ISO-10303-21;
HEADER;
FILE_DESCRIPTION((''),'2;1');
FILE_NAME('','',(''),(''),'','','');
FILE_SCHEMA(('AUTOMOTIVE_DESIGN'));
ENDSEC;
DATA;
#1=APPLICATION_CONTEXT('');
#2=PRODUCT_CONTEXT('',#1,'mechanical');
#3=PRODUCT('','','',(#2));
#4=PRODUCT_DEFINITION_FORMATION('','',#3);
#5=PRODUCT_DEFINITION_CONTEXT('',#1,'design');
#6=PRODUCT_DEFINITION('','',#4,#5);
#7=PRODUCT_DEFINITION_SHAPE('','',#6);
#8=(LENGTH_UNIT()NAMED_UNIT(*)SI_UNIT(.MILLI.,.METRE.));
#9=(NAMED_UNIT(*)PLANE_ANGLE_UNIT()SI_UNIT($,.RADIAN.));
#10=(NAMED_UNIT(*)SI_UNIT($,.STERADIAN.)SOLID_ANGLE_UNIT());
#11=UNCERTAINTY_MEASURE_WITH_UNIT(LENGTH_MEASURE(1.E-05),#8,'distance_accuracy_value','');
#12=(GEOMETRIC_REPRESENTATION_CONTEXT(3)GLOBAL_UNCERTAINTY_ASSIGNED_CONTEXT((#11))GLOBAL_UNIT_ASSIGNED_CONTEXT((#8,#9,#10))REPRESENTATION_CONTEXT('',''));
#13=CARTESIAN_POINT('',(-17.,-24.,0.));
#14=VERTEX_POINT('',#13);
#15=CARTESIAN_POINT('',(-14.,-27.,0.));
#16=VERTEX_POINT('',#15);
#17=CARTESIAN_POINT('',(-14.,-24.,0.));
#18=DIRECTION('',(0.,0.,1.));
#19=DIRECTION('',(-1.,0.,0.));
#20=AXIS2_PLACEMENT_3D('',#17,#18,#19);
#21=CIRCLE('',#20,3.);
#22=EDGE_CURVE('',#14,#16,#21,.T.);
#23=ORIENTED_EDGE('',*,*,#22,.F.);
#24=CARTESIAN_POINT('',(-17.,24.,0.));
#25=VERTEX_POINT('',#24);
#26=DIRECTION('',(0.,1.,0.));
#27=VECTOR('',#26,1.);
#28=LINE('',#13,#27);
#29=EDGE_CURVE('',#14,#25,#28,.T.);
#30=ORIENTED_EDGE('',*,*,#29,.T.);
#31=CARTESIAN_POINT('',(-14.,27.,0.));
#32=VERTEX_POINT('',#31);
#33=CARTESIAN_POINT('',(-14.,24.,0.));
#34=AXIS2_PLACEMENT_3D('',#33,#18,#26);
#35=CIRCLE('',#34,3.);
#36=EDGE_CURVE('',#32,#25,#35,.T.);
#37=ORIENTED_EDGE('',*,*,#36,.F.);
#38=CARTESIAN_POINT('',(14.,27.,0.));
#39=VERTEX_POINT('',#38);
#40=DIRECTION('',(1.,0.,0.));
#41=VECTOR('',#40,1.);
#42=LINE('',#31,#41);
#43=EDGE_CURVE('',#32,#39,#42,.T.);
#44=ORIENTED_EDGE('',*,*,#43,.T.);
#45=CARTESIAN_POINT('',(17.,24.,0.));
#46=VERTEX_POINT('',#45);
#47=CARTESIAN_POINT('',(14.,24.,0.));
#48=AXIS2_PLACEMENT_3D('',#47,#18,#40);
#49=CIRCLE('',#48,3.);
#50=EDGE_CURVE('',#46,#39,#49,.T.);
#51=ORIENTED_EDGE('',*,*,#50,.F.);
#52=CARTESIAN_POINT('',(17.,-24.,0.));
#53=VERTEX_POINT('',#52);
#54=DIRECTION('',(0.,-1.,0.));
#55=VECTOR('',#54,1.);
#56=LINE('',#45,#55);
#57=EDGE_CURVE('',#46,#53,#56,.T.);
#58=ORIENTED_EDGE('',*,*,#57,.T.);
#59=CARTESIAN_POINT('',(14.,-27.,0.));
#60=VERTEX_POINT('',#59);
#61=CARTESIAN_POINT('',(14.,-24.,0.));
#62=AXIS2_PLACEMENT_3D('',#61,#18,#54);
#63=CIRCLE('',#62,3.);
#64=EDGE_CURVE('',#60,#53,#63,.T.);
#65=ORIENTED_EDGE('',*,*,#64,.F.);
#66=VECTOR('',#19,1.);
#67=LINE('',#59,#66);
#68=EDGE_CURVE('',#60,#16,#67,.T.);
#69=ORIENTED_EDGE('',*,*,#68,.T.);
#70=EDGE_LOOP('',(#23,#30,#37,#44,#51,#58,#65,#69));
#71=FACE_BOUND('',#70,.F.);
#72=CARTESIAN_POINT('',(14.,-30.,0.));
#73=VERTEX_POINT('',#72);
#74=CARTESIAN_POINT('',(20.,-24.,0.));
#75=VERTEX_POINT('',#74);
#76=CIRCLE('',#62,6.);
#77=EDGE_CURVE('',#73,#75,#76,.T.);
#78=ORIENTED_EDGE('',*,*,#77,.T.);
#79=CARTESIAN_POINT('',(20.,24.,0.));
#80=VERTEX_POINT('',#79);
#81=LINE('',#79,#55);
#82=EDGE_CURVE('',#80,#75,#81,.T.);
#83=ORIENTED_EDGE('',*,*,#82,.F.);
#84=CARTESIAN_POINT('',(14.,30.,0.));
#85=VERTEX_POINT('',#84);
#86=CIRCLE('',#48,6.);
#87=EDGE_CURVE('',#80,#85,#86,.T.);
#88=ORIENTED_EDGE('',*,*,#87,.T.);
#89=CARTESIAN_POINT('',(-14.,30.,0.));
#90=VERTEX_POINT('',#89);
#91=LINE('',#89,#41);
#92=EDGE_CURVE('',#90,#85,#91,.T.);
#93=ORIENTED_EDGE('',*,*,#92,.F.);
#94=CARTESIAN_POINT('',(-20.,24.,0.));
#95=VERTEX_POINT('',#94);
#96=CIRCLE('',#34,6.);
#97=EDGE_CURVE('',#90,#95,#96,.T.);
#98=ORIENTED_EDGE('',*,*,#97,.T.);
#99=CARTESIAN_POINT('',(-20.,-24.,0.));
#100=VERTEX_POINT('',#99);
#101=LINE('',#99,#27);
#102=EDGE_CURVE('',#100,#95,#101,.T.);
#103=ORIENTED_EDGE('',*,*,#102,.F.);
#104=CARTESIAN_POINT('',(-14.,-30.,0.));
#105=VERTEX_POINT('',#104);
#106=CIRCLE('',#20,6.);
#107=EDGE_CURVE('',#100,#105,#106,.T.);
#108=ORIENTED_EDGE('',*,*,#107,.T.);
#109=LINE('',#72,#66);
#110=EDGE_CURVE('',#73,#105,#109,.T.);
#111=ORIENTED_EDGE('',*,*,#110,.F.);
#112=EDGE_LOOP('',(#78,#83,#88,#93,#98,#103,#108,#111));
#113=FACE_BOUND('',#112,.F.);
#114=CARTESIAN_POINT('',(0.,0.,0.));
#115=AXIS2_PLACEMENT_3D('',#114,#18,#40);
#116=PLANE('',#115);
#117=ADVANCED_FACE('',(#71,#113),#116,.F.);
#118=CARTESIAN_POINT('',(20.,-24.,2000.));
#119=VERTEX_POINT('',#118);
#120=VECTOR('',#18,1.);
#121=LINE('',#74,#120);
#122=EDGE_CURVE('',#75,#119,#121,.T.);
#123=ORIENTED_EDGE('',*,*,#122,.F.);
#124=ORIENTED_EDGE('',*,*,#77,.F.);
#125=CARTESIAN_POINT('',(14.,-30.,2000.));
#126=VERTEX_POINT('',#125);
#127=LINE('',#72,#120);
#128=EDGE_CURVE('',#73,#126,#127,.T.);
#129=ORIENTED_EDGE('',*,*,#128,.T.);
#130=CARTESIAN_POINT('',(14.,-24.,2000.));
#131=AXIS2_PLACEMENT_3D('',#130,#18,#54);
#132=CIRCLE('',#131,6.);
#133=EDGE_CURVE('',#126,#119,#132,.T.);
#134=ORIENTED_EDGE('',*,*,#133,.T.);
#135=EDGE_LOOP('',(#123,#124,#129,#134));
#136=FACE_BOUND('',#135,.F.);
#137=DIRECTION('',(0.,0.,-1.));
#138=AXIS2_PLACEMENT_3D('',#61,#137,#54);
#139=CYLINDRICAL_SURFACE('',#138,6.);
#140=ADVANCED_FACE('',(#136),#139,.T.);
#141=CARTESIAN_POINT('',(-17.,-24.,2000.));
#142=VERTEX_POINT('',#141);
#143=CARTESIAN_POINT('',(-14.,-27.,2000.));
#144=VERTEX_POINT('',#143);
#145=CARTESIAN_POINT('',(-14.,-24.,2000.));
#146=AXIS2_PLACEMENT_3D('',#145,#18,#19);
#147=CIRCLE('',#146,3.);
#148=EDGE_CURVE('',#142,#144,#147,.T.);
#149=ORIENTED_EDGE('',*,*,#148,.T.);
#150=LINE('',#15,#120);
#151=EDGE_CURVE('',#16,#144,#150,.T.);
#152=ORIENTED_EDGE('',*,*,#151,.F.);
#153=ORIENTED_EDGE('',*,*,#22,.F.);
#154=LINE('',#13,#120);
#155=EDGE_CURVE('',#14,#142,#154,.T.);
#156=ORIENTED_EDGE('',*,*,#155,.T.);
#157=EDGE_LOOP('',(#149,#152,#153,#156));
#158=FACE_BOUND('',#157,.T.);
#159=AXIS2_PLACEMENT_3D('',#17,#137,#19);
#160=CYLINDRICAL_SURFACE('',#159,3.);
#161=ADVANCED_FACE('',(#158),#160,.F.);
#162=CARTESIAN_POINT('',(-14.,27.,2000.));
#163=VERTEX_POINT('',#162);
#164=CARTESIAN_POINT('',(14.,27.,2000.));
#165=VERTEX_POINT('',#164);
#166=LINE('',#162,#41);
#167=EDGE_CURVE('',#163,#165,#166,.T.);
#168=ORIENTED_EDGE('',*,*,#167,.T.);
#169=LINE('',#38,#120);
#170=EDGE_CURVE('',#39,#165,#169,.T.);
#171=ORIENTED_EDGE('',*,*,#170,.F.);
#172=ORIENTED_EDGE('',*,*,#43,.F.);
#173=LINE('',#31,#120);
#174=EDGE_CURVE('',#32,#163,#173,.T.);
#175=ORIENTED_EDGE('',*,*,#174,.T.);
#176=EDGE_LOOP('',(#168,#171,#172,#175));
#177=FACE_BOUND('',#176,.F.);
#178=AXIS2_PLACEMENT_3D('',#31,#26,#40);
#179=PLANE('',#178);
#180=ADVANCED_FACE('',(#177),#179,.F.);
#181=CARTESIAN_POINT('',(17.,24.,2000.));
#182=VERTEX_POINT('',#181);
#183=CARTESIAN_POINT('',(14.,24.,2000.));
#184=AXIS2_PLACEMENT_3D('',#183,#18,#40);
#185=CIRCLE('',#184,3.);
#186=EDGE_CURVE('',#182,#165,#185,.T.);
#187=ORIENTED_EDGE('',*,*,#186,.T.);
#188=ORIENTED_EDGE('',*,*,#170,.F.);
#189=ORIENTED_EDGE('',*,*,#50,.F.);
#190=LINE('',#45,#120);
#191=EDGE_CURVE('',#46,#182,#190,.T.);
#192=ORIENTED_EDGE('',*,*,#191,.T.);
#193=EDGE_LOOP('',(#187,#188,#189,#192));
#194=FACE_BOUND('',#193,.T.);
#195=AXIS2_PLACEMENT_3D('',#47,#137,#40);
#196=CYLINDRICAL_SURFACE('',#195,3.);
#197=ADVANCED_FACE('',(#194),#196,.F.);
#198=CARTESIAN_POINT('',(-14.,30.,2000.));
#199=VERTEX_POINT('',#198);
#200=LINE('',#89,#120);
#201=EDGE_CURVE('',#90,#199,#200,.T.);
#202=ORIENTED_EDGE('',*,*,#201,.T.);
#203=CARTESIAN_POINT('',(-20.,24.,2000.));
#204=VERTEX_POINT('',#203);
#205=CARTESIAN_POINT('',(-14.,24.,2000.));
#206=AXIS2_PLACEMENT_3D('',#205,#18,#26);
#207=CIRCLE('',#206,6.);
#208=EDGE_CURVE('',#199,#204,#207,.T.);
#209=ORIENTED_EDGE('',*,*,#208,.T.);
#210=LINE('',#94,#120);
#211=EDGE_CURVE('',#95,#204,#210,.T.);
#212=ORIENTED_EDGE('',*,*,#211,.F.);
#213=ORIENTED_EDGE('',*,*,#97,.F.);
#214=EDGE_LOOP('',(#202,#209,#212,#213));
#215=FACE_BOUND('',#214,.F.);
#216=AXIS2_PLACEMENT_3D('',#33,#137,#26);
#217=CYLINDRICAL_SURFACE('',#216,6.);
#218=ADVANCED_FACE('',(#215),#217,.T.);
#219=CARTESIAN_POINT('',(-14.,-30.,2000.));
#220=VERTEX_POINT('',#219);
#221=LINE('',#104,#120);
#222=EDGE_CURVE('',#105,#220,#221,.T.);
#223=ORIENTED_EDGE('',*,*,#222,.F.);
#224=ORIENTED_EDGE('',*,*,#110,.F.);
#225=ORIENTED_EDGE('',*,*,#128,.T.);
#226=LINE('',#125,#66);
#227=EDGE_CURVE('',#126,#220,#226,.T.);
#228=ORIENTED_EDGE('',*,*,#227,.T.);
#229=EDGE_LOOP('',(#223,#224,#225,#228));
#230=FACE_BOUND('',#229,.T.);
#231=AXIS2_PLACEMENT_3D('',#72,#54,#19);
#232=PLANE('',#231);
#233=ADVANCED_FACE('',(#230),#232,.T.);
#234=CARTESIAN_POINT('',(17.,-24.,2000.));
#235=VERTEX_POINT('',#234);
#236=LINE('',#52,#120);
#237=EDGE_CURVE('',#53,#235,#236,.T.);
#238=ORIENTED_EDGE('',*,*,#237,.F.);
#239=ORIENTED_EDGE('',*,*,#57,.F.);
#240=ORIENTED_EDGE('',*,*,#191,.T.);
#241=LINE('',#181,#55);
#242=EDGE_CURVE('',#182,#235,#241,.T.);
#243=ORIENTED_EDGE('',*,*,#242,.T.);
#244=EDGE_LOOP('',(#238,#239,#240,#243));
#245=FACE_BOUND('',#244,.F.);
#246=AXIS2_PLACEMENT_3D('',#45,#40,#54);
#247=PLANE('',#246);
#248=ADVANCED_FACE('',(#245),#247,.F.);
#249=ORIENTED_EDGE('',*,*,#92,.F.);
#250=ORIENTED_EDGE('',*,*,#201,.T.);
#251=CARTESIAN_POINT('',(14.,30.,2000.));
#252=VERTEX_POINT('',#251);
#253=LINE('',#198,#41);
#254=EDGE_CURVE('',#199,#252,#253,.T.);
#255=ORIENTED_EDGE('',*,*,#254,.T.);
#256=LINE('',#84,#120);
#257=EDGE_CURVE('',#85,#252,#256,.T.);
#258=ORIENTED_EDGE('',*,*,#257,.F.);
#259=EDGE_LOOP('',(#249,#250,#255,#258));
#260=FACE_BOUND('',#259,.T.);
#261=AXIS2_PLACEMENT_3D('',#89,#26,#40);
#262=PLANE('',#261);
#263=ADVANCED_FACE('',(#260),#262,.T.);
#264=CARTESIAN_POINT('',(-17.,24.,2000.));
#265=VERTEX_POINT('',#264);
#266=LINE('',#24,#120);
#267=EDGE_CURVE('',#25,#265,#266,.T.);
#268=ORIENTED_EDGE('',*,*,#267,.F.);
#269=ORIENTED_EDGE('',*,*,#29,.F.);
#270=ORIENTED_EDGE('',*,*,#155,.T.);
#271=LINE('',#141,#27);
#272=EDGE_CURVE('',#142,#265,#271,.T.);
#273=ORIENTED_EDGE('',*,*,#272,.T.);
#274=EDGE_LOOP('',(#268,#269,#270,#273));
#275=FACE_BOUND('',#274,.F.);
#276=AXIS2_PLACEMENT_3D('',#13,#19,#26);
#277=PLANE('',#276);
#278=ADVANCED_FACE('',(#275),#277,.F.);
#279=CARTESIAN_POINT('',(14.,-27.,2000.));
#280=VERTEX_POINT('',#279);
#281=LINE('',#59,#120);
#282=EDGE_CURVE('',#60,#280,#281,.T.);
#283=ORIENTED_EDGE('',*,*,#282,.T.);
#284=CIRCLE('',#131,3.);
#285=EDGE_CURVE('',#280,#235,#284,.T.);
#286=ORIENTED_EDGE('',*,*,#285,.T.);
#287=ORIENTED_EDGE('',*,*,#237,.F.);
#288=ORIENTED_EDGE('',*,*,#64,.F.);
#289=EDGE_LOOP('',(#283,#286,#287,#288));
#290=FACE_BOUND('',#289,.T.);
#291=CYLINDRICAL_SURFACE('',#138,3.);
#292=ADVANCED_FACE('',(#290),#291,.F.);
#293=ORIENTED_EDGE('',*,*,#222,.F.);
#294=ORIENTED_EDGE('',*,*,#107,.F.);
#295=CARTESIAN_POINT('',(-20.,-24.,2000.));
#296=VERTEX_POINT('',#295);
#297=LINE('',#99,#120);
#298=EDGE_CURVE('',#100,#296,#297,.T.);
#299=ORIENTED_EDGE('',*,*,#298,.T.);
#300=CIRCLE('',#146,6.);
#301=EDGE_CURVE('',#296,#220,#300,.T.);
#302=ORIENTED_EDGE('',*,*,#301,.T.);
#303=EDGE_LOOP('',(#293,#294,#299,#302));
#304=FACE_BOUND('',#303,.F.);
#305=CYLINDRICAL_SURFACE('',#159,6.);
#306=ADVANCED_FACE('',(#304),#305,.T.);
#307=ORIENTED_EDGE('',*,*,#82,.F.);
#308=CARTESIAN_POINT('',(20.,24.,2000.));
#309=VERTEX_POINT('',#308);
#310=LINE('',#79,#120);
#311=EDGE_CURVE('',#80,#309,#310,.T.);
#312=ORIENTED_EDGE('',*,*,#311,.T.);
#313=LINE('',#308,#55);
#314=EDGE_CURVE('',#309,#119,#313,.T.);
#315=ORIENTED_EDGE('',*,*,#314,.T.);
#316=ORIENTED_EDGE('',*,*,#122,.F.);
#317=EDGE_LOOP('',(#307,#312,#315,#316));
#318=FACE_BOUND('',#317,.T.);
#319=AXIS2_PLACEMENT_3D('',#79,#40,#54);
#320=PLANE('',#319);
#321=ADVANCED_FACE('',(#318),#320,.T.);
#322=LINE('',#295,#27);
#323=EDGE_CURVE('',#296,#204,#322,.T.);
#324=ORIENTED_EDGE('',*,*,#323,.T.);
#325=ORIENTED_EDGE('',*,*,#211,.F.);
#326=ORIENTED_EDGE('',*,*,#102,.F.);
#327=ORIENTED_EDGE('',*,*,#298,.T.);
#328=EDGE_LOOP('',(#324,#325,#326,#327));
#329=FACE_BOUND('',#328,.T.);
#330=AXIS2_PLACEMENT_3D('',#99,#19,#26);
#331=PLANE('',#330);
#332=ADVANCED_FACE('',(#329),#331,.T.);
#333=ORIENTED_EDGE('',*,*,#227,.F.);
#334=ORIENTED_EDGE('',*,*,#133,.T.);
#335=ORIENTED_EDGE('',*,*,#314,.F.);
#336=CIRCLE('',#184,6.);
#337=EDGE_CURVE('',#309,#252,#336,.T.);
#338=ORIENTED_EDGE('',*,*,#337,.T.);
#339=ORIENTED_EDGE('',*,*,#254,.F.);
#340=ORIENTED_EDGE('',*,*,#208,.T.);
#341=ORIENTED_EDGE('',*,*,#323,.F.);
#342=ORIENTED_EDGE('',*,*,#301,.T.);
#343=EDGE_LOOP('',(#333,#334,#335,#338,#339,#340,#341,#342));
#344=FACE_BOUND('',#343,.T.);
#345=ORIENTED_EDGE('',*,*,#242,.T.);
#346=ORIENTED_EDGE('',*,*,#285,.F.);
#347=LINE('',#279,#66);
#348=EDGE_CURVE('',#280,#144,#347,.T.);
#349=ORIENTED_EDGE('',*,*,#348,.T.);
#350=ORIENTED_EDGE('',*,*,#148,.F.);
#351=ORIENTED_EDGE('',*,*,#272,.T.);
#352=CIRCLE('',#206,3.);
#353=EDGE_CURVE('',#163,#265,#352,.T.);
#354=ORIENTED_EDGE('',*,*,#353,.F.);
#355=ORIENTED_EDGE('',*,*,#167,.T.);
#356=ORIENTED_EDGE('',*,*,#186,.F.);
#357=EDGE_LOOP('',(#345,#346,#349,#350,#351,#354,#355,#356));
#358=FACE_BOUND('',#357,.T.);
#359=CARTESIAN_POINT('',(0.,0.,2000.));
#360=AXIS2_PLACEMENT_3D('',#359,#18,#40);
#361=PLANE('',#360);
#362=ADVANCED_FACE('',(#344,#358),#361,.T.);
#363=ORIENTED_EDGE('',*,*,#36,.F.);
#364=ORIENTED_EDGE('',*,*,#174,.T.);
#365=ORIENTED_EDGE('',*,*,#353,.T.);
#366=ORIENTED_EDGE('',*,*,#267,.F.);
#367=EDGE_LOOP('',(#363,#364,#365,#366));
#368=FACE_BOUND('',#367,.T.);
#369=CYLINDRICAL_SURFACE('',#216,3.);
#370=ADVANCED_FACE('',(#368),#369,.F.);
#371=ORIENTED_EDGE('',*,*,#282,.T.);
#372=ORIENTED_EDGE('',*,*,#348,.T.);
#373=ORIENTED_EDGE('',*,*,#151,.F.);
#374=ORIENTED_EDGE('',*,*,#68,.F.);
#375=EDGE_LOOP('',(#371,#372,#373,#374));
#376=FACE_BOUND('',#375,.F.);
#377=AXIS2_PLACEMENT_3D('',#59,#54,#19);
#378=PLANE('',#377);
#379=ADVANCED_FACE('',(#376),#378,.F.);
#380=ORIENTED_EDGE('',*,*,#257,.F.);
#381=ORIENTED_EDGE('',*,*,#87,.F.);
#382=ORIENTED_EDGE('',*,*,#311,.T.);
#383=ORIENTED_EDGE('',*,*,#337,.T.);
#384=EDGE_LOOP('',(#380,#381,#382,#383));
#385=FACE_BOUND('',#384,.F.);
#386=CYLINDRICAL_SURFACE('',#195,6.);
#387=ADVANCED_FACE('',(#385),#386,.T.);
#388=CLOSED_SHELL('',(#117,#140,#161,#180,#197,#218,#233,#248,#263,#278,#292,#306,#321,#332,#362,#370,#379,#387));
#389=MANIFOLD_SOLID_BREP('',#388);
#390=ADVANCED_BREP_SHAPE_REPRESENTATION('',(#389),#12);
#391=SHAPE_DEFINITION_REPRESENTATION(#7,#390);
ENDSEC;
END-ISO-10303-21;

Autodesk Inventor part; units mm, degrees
ref_plane "YZ Plane" through (0, 0, 0) normal (1, 0, 0) x (0, 1, 0)
ref_plane "Start plane" through (0, 0, 0) normal (0, 0, 1) x (1, 0, 0)
ref_plane "End plane" through (0, 0, 2000) normal (0, 0, 1) x (1, 0, 0)
sketch "Sketch" plane through (0, 0, 0) normal (0, 0, 1) x (1, 0, 0)
  line L0 (-20, -24) -> (-20, 24)
  line L1 (-14, 30) -> (14, 30)
  line L2 (20, 24) -> (20, -24)
  line L3 (14, -30) -> (-14, -30)
  arc A0 (-20, -24) -> (-14, -30) centre (-14, -24) ccw
  arc A1 (20, 24) -> (14, 30) centre (14, 24) ccw
  arc A2 (-14, 30) -> (-20, 24) centre (-14, 24) ccw
  arc A3 (14, -30) -> (20, -24) centre (14, -24) ccw
  arc A4 (-14, 27) -> (-17, 24) centre (-14, 24) ccw
  line L4 (-14, 27) -> (14, 27)
  arc A5 (17, 24) -> (14, 27) centre (14, 24) ccw
  line L5 (17, 24) -> (17, -24)
  arc A6 (14, -27) -> (17, -24) centre (14, -24) ccw
  line L6 (14, -27) -> (-14, -27)
  arc A7 (-17, -24) -> (-14, -27) centre (-14, -24) ccw
  line L7 (-17, -24) -> (-17, 24)
  line L8 (0, 37.1021) -> (0, -37.1021) construction
  line L9 (-23.1021, 0) -> (23.1021, 0) construction
  dimension "d7" = 6
  dimension "d9" = 40
  dimension "d11" = 60
  dimension "d12" = 3
  dimension "d15" = 20
  dimension "d16" = 30
extrude "Body" add sketch "Sketch" along normal up to surface (2000 mm away) from surface at 0
sketch "Sketch3" plane through (0, 0, 0) normal (0, 0, 1) x (1, 0, 0)
  line L0 (0, 0) -> (10, 0)
ref_plane "Work Plane3" through (0, 0, 0) normal (0, -1, 0) x (1, 0, 0)
sketch "Sketch4" plane through (0, 0, 0) normal (0, -1, 0) x (1, 0, 0)
  line L0 (-2, 0) -> (12, 0) projected
  line L1 (-2, 2000) -> (12, 2000) projected
  dimension "d18" = 2000
equation "\"d7\" = G_IR"
equation "\"d9\" = G_W"
equation "\"d11\" = G_H"
equation "\"d12\" = G_T"
equation "\"d15\" = 0.5 * d9"
equation "\"d16\" = 0.5 * d11"
equation "\"d3\" = G_L"
equation "\"G_W\" = 40"
equation "\"G_H\" = 60"
equation "\"G_T\" = 3"
equation "\"G_IR\" = 6"
equation "\"G_L\" = d18"
equation "\"G_OFFSET_START\" = 0"
equation "\"G_OFFSET_END\" = 0"
properties part number "ISO 4019 - 60x40x3 - 2000" material "Steel, Mild"
